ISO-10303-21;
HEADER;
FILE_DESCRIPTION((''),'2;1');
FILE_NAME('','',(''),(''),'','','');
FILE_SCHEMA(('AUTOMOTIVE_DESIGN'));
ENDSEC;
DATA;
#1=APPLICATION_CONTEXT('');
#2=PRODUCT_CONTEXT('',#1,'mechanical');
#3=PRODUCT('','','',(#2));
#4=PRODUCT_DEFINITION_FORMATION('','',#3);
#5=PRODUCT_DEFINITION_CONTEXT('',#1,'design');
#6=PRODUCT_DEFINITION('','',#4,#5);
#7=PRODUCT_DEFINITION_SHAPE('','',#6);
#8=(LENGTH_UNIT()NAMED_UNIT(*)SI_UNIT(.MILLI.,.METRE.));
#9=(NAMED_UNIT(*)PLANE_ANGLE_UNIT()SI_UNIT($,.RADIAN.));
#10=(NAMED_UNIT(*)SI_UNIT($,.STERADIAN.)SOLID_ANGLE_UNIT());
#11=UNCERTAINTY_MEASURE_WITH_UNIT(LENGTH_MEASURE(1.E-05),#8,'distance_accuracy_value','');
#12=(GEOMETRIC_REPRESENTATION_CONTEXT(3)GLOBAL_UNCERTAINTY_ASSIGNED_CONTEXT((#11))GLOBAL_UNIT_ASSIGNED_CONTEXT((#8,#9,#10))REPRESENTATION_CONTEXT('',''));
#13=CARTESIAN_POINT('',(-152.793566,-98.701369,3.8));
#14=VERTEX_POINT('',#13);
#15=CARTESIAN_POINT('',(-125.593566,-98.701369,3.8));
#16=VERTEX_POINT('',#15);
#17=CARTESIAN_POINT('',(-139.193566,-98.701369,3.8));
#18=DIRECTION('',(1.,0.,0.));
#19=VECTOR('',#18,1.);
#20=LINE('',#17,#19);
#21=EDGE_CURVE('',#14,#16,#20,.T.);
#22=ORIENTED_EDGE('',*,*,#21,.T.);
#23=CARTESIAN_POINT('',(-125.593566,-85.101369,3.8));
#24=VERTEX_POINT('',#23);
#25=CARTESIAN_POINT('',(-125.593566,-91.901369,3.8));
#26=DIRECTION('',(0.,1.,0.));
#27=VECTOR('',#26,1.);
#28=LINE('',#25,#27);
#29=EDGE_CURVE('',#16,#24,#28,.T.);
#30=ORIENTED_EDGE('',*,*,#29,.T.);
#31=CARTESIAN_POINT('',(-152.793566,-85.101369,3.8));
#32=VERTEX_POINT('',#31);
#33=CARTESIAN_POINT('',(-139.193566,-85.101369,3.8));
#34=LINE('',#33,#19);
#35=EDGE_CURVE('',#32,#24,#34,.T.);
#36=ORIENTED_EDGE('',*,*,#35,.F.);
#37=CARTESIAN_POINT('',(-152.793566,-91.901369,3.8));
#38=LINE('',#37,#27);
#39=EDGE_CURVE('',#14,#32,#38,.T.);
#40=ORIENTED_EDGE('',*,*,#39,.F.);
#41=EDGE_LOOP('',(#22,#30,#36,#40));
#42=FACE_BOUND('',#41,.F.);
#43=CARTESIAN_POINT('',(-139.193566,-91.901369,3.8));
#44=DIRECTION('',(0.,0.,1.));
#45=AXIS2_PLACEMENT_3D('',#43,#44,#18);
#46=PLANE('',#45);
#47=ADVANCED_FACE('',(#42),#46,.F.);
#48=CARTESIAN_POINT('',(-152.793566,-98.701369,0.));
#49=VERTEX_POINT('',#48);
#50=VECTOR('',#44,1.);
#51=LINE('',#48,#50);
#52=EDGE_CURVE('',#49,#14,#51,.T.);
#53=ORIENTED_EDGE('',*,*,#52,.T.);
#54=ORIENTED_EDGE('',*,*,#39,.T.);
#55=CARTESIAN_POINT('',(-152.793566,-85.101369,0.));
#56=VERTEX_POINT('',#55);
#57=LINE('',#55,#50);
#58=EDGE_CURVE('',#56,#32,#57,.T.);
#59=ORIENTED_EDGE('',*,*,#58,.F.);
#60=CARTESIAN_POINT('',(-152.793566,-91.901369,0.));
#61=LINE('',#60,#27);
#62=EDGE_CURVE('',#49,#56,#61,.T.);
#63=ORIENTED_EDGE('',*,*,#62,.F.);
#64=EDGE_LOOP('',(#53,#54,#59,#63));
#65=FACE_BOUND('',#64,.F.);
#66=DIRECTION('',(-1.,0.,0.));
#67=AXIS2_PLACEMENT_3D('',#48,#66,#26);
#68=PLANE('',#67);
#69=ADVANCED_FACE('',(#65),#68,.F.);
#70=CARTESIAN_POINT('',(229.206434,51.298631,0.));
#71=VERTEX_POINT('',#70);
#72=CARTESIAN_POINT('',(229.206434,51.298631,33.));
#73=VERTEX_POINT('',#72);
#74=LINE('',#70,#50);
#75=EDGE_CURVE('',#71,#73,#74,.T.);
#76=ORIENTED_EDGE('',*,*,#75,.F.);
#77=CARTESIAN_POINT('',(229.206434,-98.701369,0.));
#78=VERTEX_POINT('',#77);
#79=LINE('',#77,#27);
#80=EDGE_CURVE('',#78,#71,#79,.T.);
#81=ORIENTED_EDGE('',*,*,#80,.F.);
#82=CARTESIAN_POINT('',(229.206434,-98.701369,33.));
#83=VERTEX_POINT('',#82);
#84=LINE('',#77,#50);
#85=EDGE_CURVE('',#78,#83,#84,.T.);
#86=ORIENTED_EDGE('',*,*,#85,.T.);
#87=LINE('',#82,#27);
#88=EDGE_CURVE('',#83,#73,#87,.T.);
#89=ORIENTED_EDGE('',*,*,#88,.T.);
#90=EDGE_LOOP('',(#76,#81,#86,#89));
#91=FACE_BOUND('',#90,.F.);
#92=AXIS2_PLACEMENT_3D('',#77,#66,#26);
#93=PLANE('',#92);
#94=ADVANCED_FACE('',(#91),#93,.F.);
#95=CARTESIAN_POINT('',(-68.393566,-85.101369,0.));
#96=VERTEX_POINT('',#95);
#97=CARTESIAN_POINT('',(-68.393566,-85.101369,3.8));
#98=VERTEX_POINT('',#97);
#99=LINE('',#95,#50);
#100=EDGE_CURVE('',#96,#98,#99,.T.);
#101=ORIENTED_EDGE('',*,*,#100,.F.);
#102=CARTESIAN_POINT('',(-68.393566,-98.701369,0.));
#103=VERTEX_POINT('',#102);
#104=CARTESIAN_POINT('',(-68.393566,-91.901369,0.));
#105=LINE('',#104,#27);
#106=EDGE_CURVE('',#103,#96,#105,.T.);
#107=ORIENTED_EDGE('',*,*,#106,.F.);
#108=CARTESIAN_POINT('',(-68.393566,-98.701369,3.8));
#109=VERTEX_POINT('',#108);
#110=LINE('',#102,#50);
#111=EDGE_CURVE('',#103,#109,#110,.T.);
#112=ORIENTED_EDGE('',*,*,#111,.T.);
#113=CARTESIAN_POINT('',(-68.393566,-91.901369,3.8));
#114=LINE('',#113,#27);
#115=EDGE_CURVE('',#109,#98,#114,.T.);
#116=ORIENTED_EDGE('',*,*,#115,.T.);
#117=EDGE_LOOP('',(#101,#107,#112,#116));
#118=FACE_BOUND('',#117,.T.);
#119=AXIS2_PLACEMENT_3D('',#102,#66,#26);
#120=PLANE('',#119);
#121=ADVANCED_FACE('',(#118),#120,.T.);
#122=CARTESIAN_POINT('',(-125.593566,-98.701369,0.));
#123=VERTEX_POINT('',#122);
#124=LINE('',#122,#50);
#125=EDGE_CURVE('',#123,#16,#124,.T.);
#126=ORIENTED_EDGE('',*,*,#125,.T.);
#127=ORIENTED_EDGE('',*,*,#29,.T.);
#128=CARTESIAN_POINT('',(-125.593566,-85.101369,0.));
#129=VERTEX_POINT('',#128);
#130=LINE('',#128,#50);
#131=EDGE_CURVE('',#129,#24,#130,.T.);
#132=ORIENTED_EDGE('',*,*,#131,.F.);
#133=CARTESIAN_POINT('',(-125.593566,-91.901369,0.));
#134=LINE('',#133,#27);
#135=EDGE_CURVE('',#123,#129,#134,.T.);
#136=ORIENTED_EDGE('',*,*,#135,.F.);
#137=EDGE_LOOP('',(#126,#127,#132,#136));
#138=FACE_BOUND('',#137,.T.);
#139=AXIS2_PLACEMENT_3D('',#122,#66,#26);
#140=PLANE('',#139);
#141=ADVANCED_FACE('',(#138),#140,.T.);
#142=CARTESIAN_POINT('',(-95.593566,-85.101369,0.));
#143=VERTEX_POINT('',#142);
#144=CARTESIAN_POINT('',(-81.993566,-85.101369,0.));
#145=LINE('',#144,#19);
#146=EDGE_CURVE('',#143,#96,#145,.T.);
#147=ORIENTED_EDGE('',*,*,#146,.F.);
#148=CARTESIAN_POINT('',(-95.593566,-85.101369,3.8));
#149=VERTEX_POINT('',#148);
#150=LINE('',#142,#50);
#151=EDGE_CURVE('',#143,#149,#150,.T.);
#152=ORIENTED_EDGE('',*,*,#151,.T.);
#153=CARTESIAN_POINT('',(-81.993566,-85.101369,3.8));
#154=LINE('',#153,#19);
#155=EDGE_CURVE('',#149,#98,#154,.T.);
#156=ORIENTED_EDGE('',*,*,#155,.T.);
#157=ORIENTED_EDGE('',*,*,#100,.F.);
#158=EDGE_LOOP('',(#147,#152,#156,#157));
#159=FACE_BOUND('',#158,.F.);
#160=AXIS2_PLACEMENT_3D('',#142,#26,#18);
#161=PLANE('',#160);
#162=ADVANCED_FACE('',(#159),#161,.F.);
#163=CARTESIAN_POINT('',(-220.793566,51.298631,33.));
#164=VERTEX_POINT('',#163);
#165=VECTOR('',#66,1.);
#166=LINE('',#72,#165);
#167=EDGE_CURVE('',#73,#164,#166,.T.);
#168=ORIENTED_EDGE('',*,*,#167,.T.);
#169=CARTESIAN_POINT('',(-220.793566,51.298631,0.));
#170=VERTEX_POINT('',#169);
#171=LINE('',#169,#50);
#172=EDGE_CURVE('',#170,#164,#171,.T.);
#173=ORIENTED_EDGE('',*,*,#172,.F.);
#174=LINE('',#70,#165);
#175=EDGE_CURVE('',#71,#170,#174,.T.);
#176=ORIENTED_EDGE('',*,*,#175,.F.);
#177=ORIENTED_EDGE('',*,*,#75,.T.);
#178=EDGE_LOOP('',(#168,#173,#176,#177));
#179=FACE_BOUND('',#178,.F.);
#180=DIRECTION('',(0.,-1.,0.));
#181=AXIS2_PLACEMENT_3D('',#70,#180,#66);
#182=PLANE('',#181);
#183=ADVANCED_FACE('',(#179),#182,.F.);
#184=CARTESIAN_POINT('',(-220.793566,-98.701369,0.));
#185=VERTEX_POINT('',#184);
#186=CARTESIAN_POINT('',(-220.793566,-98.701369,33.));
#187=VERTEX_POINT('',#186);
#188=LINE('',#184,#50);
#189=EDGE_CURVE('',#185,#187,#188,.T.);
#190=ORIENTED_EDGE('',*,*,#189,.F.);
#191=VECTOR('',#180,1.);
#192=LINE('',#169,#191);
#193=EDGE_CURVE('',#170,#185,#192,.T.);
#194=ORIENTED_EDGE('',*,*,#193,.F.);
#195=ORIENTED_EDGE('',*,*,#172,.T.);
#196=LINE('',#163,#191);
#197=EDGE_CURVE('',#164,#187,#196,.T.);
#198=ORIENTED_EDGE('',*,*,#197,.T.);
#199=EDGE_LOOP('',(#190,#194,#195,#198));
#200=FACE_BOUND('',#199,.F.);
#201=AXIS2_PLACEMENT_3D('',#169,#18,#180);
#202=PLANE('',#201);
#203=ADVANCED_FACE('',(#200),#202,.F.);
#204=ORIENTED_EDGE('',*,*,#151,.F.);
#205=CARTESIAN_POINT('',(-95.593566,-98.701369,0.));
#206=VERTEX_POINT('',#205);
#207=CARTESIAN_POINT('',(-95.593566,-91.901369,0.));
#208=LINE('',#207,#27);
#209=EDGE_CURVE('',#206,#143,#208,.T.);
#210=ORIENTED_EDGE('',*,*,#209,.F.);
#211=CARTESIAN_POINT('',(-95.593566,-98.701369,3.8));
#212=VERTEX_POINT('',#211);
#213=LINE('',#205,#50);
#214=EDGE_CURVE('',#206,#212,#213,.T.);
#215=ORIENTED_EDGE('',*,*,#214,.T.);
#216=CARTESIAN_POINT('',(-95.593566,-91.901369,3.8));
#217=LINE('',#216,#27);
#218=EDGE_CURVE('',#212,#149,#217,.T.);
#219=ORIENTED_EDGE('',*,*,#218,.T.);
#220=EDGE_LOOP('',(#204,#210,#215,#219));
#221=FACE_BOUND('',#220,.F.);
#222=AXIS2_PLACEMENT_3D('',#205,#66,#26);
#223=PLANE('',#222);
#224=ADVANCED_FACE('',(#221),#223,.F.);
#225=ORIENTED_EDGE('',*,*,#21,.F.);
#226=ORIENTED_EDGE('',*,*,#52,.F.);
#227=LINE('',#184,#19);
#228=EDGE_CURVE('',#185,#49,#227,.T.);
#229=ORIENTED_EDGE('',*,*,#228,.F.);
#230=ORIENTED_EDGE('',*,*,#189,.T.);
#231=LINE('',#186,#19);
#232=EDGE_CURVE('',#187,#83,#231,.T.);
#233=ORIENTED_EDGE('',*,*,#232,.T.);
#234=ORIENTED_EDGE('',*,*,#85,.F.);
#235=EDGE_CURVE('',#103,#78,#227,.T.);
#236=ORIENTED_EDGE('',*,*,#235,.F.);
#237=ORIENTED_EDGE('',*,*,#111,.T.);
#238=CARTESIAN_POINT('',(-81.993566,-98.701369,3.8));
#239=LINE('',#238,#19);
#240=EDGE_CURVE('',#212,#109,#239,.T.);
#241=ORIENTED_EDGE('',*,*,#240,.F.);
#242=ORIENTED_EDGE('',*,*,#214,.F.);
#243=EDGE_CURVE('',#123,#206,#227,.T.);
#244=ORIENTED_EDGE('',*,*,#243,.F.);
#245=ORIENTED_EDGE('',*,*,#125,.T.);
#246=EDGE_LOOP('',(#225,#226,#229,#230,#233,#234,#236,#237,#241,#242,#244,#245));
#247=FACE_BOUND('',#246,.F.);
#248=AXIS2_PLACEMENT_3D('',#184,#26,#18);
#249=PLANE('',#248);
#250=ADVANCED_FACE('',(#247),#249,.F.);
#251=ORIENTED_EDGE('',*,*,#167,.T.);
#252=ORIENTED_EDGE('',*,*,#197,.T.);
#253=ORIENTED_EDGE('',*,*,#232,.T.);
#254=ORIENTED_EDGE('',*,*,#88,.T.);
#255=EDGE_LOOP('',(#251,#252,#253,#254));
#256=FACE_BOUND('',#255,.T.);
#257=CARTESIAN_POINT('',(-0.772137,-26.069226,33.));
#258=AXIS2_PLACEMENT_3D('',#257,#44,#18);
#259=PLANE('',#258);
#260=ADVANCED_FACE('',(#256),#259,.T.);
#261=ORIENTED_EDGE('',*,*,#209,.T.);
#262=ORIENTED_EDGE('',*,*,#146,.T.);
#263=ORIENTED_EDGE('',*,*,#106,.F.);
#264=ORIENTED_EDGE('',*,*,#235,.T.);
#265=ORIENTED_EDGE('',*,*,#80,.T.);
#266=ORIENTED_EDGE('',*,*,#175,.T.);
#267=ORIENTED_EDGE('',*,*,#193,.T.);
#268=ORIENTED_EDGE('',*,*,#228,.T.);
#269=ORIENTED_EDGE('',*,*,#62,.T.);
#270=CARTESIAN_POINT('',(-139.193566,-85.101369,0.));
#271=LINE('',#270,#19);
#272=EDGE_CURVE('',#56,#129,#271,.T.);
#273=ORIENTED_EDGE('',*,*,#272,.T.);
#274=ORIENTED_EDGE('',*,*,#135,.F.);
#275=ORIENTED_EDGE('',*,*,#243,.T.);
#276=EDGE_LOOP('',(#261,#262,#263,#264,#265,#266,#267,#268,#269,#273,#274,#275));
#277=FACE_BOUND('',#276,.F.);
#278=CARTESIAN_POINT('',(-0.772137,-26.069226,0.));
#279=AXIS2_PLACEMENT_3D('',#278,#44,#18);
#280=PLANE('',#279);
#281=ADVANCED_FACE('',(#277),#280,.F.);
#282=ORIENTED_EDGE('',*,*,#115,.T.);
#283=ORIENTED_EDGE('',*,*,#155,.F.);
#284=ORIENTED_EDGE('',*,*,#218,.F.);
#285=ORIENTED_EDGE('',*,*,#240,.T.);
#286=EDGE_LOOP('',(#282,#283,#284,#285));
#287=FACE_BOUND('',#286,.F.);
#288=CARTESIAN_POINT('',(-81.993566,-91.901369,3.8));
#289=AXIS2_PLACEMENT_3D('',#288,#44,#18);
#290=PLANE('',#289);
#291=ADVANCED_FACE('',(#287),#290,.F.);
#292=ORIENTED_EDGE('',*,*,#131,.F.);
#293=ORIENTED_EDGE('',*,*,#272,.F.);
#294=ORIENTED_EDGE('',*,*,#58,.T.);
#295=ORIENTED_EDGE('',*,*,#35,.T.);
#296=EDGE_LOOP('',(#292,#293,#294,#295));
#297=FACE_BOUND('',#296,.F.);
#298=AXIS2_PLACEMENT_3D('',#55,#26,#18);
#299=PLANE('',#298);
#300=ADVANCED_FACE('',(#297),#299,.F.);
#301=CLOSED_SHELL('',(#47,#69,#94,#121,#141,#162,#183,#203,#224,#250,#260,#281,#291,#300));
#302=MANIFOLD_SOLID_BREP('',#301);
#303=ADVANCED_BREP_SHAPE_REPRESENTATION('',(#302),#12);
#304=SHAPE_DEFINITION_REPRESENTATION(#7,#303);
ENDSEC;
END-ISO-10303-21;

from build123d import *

# Parameters (mm, degrees)
F0_W     = 27.2
F0_H     = 13.6
F1_DEPTH = 3.8
F2_DEPTH = 33


with BuildPart() as f1:
    # F0 (on Top) → F1 (new body)
    with BuildSketch(Plane.XY):
        with Locations((-139.193566, -91.901369)):
            Rectangle(F0_W, F0_H)
        with Locations((-81.993566, -91.901369)):
            Rectangle(F0_W, F0_H)
    extrude(amount=F1_DEPTH)


with BuildPart() as f2:
    # F0 (on Top) → F2 (new body)
    with BuildSketch(Plane.XY):
        Polygon((229.206434, 51.298631), (-220.793566, 51.298631), (-220.793566, -98.701369), (-152.793566, -98.701369), (-152.793566, -85.101369), (-125.593566, -85.101369), (-125.593566, -98.701369), (-95.593566, -98.701369), (-95.593566, -85.101369), (-68.393566, -85.101369), (-68.393566, -98.701369), (229.206434, -98.701369), align=None)
        with Locations((-139.193566, -91.901369)):
            Rectangle(F0_W, F0_H)
        with Locations((-81.993566, -91.901369)):
            Rectangle(F0_W, F0_H)
    extrude(amount=F2_DEPTH)

    # F3: cut F1
    add(f1.part, mode=Mode.SUBTRACT)


solid = f2.part
